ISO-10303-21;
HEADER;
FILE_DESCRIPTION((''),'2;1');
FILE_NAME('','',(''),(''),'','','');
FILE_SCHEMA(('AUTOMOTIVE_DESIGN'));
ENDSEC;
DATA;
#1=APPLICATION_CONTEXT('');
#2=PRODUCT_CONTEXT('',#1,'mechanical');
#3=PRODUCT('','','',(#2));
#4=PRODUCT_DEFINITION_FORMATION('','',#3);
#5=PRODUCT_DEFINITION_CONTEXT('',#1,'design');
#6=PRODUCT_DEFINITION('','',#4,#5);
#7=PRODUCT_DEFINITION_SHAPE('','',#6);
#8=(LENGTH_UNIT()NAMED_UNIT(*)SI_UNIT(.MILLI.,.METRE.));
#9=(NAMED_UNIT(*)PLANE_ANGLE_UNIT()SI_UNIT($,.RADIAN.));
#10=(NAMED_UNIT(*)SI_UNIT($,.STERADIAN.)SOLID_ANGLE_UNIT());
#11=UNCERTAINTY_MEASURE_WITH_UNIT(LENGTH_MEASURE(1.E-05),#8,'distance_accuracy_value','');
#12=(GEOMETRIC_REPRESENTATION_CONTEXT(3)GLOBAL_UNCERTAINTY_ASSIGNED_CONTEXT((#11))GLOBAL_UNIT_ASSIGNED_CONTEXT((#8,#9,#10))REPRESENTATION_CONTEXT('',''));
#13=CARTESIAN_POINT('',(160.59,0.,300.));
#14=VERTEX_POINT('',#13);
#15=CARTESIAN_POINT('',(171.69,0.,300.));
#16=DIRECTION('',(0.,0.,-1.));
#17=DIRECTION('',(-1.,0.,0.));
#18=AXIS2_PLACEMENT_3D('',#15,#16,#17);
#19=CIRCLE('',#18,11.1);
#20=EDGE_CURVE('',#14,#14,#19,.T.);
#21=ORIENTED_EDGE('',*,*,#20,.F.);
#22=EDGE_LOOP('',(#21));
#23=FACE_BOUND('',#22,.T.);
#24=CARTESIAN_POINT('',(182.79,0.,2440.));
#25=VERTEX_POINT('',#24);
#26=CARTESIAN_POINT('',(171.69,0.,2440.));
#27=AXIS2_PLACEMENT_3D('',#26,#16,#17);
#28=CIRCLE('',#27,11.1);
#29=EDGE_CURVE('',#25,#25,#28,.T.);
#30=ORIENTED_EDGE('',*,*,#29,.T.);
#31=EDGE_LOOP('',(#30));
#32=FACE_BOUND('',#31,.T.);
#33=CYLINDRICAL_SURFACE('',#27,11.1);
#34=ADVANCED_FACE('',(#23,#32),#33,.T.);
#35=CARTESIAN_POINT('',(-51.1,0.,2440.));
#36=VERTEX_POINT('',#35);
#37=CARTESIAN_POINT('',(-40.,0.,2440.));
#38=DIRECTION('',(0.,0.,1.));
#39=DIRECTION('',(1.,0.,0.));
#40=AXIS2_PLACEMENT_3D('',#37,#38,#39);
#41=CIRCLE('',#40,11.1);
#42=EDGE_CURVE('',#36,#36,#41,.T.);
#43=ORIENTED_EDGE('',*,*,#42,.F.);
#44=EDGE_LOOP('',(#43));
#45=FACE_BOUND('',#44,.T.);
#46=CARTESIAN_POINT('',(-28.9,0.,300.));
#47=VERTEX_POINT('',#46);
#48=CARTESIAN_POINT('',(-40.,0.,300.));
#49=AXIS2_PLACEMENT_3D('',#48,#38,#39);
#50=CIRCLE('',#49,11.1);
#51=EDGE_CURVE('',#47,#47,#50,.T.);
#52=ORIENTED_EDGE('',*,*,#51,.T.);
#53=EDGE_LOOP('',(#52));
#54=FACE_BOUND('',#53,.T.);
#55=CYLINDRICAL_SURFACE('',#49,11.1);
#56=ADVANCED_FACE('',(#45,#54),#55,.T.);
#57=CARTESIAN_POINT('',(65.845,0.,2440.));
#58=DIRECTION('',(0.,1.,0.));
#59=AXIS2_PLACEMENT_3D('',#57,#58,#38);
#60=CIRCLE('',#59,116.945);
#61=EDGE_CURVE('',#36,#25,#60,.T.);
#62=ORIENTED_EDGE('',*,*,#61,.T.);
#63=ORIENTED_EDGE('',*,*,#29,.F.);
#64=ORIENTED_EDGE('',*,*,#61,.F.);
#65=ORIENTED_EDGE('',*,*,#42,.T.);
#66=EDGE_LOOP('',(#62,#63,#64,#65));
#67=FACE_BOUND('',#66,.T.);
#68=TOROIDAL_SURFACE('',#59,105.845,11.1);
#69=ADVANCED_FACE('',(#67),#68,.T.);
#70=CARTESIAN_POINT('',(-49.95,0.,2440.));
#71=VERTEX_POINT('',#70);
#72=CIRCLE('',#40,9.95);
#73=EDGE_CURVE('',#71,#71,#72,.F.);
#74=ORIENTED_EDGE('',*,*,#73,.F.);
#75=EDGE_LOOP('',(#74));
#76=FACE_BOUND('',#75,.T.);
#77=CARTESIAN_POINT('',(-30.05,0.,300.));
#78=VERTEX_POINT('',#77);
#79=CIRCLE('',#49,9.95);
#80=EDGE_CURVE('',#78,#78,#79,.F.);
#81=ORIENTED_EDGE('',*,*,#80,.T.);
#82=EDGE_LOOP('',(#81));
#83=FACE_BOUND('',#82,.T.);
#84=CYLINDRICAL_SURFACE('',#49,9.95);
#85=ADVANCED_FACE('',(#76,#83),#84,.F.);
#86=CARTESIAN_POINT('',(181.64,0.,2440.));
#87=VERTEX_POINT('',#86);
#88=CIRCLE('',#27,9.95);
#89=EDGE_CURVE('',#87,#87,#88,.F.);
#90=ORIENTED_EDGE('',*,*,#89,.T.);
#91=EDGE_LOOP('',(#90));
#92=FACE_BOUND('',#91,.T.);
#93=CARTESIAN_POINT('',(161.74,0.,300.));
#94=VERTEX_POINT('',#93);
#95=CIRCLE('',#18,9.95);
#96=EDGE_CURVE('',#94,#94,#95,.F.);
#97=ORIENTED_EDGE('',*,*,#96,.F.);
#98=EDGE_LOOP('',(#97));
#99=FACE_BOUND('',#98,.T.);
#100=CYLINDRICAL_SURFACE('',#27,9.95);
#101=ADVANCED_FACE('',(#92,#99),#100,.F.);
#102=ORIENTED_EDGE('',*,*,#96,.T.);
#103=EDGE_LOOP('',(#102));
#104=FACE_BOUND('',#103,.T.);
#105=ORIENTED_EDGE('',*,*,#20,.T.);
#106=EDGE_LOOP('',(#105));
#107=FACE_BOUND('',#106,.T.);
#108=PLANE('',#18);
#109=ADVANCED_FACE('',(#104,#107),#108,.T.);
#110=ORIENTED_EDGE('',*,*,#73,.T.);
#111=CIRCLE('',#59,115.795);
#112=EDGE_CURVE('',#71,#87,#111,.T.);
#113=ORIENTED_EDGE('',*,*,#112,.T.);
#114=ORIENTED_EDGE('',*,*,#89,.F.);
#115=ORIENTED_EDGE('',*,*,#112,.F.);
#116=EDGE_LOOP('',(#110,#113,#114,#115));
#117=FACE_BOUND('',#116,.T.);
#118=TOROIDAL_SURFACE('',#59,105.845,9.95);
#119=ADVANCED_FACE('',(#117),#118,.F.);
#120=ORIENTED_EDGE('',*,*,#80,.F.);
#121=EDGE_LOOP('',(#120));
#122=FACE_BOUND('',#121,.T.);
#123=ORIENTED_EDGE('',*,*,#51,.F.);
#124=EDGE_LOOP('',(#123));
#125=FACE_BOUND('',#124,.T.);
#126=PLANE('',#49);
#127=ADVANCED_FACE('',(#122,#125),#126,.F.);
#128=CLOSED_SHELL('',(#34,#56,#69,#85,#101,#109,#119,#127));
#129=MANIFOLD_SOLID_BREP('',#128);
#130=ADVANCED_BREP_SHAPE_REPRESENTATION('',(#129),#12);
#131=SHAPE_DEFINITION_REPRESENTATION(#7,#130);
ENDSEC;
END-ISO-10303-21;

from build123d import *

# Parameters (mm, degrees)
SKETCH2_R   = 11.1
SKETCH2_R_2 = 9.95


with BuildPart() as part:
    # Sweep1: sweep along a path in Sketch1
    with BuildLine(Plane(origin=(0, 0, 0), x_dir=(1, 0, 0), z_dir=(0, 1, 0))) as sweep1_path:
        Line((171.69, -300), (171.69, -2440))
        ThreePointArc((171.69, -2440), (65.845, -2545.845), (-40, -2440))
        Line((-40, -2440), (-40, -300))
    # Sketch2 → Sweep1 (sweep)
    with BuildSketch(Plane(origin=(171.69, 0, 300), x_dir=(-1, 0, 0), z_dir=(0, 0, -1))):
        Circle(SKETCH2_R)
        Circle(SKETCH2_R_2, mode=Mode.SUBTRACT)
    sweep(path=sweep1_path.line)


solid = part.part
